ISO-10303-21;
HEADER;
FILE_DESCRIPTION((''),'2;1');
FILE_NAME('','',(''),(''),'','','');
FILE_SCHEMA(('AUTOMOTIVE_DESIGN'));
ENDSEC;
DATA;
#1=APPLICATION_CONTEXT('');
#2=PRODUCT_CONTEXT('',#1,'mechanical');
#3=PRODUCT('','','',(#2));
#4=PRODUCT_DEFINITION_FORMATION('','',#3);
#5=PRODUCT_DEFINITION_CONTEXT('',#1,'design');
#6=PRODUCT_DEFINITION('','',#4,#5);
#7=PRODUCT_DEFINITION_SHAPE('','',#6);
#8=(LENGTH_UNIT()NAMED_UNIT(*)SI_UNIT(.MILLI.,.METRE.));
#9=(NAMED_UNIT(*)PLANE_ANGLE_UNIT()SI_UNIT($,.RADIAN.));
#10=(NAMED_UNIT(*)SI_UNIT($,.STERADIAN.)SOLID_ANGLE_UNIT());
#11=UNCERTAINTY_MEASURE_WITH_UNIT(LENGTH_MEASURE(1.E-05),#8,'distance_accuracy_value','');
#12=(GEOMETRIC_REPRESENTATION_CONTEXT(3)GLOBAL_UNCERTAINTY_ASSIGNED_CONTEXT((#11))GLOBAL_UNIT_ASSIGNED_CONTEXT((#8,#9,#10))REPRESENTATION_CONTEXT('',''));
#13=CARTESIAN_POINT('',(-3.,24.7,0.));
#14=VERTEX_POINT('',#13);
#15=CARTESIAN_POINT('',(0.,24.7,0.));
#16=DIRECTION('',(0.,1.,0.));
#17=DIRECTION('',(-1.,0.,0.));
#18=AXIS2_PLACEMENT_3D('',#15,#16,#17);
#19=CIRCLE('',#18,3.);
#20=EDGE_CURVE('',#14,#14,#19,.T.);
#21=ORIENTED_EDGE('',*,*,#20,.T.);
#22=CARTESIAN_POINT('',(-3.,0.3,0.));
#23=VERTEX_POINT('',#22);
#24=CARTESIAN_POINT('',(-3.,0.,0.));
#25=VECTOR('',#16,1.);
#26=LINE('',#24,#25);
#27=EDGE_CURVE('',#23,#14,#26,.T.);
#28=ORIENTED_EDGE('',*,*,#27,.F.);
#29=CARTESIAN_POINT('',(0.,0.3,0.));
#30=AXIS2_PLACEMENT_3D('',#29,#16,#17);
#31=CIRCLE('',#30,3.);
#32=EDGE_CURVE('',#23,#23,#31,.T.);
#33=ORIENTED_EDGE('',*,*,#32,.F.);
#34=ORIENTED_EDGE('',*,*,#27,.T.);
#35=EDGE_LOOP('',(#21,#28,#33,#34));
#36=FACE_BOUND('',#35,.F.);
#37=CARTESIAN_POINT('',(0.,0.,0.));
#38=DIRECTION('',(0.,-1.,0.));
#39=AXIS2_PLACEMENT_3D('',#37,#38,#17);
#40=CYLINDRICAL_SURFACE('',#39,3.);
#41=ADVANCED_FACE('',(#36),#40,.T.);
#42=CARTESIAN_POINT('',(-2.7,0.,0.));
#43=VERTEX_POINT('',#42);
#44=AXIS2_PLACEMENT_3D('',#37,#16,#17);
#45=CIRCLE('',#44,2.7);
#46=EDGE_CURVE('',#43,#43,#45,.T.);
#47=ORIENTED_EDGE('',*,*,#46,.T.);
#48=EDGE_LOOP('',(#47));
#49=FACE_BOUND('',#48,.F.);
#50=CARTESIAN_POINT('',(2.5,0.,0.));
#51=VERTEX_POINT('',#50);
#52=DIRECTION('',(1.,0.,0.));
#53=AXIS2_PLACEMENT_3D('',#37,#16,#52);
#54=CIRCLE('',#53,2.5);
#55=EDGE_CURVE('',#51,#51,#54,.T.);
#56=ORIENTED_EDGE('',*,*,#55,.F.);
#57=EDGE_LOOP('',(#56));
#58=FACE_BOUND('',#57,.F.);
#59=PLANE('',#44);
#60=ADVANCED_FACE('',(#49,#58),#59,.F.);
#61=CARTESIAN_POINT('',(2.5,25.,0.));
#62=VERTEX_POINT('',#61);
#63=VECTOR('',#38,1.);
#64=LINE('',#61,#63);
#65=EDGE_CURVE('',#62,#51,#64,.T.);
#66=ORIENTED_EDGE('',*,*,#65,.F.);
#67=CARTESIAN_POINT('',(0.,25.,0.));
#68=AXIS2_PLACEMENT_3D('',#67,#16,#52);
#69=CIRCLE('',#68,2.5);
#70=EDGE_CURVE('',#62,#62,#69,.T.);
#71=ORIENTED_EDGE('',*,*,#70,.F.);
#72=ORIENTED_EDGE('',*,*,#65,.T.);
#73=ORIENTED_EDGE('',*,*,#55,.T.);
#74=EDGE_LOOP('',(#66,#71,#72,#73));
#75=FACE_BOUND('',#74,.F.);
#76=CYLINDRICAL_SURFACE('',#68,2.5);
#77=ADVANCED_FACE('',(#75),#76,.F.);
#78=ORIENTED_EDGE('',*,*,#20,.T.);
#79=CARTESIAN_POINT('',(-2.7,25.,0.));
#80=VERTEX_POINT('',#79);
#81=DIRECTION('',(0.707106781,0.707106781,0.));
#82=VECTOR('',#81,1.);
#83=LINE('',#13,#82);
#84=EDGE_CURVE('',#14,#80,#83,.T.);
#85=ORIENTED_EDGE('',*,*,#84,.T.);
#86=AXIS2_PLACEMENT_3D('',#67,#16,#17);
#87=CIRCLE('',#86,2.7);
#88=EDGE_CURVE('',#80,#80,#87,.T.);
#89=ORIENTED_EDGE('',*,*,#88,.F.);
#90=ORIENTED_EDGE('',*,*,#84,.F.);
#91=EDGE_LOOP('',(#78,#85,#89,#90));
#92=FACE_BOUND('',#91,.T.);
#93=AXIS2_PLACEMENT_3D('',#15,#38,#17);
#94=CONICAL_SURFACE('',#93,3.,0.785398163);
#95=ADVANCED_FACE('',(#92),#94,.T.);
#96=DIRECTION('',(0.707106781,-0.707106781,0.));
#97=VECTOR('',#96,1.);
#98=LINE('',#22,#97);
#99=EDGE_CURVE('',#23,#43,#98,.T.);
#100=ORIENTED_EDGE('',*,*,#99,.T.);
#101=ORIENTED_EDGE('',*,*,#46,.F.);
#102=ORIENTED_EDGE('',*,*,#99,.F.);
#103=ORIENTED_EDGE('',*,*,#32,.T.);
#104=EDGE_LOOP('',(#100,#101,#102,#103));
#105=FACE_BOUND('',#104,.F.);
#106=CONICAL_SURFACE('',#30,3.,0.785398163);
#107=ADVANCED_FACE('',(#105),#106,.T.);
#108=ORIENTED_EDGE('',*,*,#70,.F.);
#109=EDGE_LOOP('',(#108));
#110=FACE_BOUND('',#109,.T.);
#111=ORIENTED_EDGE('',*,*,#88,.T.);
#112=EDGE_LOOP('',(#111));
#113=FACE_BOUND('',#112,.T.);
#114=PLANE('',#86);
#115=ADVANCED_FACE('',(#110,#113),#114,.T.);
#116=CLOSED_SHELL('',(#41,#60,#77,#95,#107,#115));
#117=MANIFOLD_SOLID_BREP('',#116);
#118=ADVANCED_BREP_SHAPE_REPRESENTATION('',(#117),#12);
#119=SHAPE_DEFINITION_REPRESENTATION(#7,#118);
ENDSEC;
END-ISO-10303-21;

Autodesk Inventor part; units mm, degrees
ref_plane "YZ Plane" through (0, 0, 0) normal (1, 0, 0) x (0, 1, 0)
ref_plane "XZ Plane" through (0, 0, 0) normal (0, 1, 0) x (-1, 0, 0)
ref_plane "XY Plane" through (0, 0, 0) normal (0, 0, 1) x (1, 0, 0)
sketch "Sketch1" plane through (0, 0, 0) normal (0, 1, 0) x (-1, 0, 0)
  circle A0 centre (0, 0) radius 3
  circle A1 centre (0, 0) radius 2.75
  dimension "d0" = 6
  dimension "d1" = 5.5
extrude "Extrusion1" add sketch "Sketch1" along normal blind 25 contours A0 | A1
chamfer "Chamfer1" distance 0.3 angle 45 2 edges at (3, 25, 0) (3, 0, 0) measured on face at (-2.9612, 8.3333, -0.4812)
sketch "Sketch2" plane through (0, 25, 0) normal (0, 1, 0) x (1, 0, 0)
  circle A0 centre (0, 0) radius 2.5
  dimension "d7" = 5
extrude "Extrusion2" cut sketch "Sketch2" against normal blind 50
properties part number "26-10-211"
